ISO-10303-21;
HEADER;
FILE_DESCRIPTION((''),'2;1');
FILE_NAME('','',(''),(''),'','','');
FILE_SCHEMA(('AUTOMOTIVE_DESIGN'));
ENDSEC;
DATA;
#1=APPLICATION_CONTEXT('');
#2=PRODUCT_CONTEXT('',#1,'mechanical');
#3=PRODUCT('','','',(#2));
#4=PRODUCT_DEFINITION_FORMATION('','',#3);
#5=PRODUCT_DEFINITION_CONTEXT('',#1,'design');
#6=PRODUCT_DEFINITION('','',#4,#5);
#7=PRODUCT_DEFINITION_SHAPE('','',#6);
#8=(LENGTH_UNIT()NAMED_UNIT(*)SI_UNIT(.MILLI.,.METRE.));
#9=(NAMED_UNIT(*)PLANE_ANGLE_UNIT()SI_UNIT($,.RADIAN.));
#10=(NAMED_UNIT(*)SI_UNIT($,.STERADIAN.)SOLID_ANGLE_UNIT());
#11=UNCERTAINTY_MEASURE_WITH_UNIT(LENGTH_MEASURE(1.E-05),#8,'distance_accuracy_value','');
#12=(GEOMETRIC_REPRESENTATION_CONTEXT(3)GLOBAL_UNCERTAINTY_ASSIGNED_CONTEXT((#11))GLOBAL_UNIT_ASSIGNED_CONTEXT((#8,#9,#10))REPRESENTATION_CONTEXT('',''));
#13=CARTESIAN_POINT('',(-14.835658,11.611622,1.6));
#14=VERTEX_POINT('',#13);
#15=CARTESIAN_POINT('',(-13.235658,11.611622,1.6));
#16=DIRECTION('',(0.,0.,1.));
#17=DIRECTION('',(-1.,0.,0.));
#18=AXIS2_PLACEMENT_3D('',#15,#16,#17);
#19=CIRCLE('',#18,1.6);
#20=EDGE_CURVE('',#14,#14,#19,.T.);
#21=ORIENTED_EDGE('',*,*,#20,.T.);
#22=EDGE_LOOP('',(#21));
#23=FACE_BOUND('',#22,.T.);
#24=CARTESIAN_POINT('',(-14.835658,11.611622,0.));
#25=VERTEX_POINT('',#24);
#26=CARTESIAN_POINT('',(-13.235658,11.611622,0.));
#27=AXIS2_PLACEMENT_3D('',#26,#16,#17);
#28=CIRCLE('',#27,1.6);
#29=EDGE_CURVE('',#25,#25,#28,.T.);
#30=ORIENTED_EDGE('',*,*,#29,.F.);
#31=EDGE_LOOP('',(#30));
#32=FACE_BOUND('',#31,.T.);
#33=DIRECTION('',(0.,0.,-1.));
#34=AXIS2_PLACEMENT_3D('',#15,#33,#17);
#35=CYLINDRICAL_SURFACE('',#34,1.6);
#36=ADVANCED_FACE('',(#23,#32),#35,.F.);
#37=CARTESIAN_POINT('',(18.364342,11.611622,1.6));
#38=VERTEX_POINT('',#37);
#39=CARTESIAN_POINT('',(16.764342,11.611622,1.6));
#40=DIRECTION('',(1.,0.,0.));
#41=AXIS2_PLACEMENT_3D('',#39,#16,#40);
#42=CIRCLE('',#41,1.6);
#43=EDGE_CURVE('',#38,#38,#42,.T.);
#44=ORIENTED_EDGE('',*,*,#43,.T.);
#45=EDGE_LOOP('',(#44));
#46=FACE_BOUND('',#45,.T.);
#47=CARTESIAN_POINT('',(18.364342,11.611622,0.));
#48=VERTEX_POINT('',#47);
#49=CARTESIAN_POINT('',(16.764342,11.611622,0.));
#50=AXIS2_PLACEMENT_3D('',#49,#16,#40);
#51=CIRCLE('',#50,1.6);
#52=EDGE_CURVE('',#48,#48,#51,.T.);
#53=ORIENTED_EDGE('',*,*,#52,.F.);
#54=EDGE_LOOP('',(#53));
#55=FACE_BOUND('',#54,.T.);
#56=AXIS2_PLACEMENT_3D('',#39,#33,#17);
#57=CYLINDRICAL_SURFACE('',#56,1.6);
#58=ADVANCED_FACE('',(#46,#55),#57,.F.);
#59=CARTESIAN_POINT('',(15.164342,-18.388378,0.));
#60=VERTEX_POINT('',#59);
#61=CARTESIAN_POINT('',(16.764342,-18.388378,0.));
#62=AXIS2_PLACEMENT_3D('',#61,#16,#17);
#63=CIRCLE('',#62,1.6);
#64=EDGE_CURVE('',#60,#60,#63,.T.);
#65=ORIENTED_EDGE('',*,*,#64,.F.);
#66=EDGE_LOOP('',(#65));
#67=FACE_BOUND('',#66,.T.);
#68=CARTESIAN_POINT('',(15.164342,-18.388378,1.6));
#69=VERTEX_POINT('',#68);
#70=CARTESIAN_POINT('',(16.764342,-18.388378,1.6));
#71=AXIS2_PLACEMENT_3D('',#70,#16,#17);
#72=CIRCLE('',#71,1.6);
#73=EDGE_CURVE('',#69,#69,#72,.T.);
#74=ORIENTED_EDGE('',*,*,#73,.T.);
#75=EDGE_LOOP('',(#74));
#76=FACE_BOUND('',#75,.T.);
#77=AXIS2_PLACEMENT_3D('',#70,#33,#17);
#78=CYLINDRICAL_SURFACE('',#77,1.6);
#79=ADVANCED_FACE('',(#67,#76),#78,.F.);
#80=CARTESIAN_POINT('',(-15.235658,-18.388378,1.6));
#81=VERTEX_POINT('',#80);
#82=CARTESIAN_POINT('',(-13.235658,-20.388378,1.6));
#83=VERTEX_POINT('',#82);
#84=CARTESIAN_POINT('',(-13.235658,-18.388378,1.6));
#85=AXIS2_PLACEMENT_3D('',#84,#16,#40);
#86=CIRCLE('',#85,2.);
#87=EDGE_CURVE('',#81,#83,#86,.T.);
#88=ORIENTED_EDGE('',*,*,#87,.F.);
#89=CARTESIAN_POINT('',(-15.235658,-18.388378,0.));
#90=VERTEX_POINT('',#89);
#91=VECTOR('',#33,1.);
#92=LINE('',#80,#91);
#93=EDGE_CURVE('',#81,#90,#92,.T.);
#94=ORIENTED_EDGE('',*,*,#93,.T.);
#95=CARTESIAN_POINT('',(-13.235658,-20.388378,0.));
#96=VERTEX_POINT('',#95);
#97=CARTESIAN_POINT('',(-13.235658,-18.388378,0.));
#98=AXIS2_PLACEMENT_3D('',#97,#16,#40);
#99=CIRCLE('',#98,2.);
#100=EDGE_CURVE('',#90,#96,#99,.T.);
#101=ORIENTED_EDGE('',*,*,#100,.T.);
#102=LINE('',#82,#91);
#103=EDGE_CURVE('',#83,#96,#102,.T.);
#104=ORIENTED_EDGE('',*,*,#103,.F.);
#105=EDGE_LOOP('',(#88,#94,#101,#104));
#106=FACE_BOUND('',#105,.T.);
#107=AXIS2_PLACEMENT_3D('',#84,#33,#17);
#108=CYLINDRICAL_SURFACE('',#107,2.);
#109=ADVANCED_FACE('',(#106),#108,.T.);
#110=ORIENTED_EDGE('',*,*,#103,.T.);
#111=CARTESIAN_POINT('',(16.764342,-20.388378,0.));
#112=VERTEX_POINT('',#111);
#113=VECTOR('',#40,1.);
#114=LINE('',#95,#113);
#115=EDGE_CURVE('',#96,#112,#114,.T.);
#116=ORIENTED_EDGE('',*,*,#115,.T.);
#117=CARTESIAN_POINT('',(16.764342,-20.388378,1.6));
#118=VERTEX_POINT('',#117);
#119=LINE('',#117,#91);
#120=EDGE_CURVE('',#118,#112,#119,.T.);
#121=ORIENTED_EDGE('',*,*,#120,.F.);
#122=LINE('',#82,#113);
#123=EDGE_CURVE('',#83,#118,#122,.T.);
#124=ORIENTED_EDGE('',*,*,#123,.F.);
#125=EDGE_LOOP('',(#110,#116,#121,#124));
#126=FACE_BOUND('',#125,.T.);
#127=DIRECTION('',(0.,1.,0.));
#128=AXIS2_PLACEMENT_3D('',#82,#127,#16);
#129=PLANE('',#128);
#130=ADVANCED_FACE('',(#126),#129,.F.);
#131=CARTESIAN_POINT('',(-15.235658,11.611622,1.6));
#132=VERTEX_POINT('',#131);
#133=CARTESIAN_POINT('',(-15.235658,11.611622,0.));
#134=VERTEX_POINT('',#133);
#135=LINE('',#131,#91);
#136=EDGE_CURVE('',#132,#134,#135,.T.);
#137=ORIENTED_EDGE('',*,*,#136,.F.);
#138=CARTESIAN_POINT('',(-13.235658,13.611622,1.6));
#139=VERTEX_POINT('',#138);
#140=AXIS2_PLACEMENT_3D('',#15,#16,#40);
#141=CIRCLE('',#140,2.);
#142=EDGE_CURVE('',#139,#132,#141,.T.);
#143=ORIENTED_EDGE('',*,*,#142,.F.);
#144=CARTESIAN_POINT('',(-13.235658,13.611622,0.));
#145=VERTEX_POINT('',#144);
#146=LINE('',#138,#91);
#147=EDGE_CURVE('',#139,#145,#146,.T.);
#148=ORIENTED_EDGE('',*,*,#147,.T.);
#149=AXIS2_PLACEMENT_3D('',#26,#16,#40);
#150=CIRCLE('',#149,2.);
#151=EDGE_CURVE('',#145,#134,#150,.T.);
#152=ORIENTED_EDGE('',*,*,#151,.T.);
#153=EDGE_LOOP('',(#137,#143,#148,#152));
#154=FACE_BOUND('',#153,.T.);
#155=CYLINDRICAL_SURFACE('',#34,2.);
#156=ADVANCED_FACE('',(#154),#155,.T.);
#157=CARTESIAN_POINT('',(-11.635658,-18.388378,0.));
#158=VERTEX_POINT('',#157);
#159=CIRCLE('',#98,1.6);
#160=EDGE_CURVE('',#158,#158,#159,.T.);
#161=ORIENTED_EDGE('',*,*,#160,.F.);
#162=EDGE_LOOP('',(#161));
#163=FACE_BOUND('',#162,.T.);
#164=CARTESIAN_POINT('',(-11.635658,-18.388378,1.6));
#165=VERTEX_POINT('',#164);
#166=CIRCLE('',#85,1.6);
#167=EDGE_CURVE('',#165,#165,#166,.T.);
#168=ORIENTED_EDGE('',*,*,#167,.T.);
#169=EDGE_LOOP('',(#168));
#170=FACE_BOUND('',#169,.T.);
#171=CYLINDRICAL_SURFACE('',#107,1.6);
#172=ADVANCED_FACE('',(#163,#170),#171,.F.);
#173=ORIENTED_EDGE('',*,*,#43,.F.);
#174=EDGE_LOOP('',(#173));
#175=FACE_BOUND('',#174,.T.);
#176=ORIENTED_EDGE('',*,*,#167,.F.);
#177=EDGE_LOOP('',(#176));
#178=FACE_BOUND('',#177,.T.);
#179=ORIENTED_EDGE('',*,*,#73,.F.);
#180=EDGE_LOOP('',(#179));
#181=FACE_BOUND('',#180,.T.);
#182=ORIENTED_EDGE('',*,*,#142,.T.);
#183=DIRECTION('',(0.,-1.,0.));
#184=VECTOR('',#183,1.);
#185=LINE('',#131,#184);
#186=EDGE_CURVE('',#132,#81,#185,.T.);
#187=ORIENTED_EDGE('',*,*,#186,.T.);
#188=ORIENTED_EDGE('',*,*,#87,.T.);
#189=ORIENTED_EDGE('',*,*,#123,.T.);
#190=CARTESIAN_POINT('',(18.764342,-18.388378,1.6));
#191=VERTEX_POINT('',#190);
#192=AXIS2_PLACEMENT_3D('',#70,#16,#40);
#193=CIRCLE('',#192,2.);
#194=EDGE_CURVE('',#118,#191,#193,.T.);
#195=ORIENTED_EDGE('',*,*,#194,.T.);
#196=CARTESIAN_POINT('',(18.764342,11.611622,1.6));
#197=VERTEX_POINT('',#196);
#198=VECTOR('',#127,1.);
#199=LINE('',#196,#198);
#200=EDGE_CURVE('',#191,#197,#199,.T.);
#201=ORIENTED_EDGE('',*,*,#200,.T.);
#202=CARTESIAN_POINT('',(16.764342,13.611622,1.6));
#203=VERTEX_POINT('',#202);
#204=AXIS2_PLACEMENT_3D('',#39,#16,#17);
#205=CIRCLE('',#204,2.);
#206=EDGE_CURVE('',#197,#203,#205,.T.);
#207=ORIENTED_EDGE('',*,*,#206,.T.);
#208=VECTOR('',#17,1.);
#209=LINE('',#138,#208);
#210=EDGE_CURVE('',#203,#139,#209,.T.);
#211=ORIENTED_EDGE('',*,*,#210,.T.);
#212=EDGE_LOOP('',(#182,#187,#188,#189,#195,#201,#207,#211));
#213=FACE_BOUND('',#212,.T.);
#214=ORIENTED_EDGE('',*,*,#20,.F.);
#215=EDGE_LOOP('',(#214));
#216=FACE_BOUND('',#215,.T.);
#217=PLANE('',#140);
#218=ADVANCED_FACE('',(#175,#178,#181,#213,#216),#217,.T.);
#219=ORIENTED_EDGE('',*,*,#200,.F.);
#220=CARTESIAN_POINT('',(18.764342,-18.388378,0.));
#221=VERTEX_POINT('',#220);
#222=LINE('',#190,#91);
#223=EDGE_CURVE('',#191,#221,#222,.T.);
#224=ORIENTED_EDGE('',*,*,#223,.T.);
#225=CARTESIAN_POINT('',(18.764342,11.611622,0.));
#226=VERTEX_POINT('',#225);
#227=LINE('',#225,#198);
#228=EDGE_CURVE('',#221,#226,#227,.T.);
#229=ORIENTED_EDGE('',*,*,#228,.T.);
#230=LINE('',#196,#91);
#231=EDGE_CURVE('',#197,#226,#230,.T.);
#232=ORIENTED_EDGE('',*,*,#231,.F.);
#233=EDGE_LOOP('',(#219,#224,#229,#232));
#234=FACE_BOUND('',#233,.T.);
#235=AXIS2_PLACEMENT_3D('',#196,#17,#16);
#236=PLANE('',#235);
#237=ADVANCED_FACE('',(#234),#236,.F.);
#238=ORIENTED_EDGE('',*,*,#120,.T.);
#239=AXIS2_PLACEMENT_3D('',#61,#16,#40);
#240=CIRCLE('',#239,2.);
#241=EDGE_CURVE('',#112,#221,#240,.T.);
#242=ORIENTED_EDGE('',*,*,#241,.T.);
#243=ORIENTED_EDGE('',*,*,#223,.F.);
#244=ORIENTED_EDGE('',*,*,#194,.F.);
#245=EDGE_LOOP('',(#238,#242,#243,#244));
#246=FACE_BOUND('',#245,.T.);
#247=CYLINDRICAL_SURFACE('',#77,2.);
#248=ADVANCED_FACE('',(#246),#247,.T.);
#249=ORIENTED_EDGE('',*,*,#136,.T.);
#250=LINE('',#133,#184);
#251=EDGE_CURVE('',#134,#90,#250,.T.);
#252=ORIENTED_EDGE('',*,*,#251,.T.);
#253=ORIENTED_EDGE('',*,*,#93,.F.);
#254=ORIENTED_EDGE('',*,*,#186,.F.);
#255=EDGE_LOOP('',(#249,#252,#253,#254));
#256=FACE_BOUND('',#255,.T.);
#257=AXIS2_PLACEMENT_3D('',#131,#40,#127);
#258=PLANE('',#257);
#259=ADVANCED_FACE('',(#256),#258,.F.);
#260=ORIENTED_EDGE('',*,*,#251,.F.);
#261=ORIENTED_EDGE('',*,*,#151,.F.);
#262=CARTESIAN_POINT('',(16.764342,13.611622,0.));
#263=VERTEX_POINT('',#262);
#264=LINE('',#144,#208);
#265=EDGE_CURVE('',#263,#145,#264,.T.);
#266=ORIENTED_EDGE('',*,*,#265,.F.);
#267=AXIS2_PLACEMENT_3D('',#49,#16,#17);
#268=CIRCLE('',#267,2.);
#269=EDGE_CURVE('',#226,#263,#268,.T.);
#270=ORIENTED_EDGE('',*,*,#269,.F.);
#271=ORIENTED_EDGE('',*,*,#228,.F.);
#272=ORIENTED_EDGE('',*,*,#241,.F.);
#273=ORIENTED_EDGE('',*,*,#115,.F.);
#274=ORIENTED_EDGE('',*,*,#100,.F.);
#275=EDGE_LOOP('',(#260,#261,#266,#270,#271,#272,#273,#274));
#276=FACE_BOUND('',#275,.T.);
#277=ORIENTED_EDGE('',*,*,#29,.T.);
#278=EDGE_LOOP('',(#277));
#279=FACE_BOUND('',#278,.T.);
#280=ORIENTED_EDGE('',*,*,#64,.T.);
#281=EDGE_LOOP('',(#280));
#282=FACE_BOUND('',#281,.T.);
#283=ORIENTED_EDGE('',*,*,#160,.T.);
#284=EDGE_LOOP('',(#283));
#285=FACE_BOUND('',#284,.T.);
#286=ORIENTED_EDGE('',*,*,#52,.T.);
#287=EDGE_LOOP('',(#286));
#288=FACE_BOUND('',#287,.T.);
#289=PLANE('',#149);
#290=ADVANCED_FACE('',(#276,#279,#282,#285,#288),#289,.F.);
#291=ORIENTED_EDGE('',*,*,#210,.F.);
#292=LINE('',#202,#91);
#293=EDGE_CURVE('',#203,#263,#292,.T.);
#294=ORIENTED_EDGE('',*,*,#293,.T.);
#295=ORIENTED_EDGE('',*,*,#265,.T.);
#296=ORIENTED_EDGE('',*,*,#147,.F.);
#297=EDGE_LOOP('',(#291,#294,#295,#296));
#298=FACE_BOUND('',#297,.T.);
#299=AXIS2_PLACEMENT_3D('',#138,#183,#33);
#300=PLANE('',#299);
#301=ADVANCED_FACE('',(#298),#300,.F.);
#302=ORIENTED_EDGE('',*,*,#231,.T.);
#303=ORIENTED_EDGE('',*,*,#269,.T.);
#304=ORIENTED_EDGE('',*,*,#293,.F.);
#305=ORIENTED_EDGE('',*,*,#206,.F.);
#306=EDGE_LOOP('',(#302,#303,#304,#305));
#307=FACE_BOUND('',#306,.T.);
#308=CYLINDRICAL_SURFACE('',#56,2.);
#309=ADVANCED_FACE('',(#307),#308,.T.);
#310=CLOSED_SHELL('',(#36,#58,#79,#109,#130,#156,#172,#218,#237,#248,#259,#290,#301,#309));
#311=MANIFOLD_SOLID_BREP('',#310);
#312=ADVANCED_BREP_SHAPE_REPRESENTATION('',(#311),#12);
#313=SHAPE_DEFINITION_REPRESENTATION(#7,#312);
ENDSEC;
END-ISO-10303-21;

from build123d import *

# Parameters (mm, degrees)
SKETCH1_R           = 1.6
BOSS_EXTRUDE1_DEPTH = 1.6


with BuildPart() as part:
    # Sketch1 → Boss-Extrude1 (new body)
    with BuildSketch(Plane.XY):
        with BuildLine():
            Line((-13.235657624, 13.611622239), (16.764342376, 13.611622239))
            ThreePointArc((16.764342376, 13.611622239), (18.178555938, 13.025835801), (18.764342376, 11.611622239))
            Line((18.764342376, 11.611622239), (18.764342376, -18.388377761))
            ThreePointArc((18.764342376, -18.388377761), (18.178555938, -19.802591324), (16.764342376, -20.388377761))
            Line((16.764342376, -20.388377761), (-13.235657624, -20.388377761))
            ThreePointArc((-13.235657624, -20.388377761), (-14.649871187, -19.802591324), (-15.235657624, -18.388377761))
            Line((-15.235657624, -18.388377761), (-15.235657624, 11.611622239))
            ThreePointArc((-15.235657624, 11.611622239), (-14.649871187, 13.025835801), (-13.235657624, 13.611622239))
        make_face()
        with Locations((16.764342376, 11.611622239)):
            Circle(SKETCH1_R, mode=Mode.SUBTRACT)
        with Locations(Location((16.764342376, -18.388377761, 0), (0, 0, 180))):
            Circle(SKETCH1_R, mode=Mode.SUBTRACT)
        with Locations(Location((-13.235657624, 11.611622239, 0), (0, 0, 180))):
            Circle(SKETCH1_R, mode=Mode.SUBTRACT)
        with Locations((-13.235657624, -18.388377761)):
            Circle(SKETCH1_R, mode=Mode.SUBTRACT)
    extrude(amount=BOSS_EXTRUDE1_DEPTH)


solid = part.part
